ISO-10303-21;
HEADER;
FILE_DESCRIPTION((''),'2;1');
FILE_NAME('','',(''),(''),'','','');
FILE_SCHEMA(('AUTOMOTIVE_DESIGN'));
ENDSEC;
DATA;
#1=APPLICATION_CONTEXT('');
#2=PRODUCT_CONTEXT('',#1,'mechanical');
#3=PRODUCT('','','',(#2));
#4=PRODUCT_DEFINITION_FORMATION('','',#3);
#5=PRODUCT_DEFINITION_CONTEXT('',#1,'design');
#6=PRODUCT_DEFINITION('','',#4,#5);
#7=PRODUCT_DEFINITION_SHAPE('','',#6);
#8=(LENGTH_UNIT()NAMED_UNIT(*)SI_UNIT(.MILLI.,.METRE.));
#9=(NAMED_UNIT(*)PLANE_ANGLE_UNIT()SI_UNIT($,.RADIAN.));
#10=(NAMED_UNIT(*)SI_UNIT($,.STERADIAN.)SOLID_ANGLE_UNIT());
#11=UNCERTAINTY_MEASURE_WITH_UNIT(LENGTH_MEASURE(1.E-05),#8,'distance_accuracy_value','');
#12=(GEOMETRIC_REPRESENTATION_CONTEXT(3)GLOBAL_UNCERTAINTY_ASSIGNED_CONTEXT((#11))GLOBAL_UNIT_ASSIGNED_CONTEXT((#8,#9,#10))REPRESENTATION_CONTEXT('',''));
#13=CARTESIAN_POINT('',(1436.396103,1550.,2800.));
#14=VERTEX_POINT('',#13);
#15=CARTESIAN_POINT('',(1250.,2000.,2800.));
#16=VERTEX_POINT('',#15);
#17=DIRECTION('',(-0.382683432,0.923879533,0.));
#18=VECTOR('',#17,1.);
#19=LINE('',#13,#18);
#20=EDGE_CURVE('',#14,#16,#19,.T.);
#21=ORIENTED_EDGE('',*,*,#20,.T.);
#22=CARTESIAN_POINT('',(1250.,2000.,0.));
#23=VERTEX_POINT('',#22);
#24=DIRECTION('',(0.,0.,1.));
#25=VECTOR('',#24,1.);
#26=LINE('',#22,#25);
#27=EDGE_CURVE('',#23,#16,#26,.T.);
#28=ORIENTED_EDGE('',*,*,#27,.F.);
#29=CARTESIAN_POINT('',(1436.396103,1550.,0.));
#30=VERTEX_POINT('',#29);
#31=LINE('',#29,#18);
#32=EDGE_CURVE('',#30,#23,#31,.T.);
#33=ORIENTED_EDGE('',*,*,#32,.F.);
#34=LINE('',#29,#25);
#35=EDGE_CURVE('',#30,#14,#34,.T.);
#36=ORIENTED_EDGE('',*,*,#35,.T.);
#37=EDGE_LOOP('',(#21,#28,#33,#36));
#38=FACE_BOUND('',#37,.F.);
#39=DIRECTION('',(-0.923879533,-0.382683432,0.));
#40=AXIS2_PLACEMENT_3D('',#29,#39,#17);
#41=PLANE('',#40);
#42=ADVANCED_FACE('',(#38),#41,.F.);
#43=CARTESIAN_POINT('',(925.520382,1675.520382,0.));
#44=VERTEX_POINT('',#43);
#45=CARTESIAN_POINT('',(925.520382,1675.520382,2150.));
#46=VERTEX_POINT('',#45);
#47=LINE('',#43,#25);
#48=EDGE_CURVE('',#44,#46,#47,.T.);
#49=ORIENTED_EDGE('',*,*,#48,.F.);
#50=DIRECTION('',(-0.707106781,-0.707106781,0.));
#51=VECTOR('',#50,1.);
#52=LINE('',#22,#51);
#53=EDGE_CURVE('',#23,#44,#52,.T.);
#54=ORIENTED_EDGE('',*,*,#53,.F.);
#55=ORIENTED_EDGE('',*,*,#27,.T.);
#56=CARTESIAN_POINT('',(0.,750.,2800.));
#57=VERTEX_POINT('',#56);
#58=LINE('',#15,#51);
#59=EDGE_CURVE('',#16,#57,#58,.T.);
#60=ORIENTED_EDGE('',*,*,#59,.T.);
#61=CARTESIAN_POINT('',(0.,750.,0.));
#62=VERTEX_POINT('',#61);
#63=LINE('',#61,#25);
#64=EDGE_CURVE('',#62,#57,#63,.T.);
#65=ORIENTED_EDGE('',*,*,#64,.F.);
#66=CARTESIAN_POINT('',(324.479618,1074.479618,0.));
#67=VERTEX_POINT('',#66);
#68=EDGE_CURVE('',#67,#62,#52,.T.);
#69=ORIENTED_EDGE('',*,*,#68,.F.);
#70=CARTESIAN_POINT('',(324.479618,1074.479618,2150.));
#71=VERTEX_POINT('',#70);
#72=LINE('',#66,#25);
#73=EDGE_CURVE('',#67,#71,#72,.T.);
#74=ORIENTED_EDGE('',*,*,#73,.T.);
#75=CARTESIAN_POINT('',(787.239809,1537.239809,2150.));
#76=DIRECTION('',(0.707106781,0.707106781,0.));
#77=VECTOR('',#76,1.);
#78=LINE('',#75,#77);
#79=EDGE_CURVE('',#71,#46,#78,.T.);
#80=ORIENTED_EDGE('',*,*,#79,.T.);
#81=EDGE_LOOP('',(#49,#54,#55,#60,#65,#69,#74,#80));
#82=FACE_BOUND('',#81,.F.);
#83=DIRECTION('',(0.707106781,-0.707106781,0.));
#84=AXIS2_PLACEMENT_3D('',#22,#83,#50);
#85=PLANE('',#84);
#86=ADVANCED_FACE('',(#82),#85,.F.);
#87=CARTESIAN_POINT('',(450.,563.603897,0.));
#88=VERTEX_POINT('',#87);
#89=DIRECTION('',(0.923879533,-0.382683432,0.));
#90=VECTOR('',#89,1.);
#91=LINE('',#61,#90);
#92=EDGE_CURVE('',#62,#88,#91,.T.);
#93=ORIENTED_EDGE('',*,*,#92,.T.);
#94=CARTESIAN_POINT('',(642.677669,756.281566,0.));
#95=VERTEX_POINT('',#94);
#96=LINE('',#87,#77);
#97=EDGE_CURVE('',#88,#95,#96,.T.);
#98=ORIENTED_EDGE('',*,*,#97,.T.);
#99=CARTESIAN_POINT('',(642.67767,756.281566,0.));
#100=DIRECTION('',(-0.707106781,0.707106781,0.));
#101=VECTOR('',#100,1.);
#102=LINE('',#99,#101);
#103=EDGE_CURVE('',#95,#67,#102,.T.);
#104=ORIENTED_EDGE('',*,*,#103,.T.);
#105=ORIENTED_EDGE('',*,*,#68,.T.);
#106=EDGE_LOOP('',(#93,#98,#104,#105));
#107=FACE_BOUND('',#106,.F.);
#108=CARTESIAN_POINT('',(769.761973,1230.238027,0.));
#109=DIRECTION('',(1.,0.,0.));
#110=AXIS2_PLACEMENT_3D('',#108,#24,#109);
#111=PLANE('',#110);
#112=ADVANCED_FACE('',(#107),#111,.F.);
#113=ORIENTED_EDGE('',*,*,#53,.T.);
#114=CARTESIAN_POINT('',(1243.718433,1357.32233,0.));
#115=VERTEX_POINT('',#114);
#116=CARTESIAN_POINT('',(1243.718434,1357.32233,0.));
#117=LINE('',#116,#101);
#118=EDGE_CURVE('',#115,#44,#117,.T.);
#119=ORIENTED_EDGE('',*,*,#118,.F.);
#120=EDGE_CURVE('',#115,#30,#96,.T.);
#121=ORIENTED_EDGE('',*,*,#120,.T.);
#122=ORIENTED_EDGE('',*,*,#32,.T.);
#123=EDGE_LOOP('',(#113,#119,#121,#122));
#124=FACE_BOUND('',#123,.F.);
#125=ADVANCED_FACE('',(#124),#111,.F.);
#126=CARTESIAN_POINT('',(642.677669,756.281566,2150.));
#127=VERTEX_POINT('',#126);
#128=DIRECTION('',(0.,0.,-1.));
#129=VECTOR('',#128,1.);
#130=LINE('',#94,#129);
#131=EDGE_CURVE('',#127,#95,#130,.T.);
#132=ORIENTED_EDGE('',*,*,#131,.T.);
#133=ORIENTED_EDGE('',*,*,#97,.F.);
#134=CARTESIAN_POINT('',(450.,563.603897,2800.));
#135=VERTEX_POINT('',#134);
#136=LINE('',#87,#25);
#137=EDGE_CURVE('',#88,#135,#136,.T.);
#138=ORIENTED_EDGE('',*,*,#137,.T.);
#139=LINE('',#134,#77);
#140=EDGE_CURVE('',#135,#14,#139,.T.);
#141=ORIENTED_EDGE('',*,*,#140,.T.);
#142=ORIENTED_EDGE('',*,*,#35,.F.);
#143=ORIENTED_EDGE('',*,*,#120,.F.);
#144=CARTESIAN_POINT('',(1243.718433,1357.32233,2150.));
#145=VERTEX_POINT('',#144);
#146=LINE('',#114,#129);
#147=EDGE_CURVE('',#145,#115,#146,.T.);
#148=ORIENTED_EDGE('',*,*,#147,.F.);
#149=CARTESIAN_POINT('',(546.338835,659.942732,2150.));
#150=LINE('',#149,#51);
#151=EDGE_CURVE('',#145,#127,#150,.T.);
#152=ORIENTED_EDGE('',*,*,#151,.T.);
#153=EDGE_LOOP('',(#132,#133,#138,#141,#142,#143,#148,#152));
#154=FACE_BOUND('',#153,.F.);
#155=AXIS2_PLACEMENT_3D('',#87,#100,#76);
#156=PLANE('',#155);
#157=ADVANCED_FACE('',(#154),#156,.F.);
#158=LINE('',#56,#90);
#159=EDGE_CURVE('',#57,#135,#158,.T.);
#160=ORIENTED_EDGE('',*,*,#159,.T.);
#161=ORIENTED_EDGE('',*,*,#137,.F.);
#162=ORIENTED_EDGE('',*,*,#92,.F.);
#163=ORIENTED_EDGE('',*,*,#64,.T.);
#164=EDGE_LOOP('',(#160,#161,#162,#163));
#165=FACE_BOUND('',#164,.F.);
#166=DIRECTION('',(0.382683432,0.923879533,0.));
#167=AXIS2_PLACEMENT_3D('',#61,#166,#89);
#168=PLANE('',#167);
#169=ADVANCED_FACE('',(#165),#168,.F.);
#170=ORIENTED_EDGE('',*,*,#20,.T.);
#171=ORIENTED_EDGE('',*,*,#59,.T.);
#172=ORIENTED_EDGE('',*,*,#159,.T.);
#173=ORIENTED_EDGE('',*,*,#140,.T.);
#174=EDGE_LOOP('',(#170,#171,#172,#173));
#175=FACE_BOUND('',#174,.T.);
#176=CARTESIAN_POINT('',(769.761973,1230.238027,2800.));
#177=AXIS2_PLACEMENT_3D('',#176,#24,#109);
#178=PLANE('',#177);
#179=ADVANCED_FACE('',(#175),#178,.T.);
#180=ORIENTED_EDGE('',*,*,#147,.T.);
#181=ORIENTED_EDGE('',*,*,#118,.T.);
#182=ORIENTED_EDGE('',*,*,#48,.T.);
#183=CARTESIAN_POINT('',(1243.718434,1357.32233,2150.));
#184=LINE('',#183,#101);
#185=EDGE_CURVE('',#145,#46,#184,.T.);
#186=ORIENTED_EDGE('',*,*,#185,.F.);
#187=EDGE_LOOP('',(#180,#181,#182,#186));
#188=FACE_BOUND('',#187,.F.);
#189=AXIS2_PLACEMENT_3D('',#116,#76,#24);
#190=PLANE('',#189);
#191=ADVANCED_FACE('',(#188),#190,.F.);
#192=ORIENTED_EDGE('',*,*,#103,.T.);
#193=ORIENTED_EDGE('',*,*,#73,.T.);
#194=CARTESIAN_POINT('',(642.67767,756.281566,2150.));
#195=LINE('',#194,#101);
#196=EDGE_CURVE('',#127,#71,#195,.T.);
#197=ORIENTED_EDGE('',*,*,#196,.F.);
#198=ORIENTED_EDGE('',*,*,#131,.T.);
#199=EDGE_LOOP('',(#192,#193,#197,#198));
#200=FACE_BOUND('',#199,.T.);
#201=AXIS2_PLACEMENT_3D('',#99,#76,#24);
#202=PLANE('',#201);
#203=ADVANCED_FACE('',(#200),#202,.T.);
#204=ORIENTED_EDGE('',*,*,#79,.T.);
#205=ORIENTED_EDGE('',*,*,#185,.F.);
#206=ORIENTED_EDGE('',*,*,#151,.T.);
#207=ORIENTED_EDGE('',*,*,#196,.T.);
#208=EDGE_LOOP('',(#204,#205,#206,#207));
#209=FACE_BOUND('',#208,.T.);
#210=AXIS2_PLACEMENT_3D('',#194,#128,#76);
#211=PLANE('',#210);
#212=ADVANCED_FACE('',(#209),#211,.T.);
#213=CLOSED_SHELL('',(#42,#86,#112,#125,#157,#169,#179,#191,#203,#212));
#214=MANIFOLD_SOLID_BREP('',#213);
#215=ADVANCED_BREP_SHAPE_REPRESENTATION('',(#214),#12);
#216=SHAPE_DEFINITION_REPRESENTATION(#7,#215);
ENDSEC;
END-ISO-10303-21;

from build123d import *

# Parameters (mm, degrees)
F1_DEPTH = 2800
F2_W     = 850
F2_H     = 2150
F3_DEPTH = 1333.884476


with BuildPart() as f1:
    # F0 (on Top) → F1 (new body)
    with BuildSketch(Plane.XY):
        Polygon((1250, 2000), (0, 750), (450, 563.603897), (1436.396103, 1550), align=None)
    extrude(amount=F1_DEPTH)

    # F2 (on face) → F3 (cut, through all)
    with BuildSketch(Plane(origin=(-56.801948, 56.801948, 0), x_dir=(0.707107, 0.707107, 0), z_dir=(0.707107, -0.707107, 0))):
        with Locations((1414.213562, 1075)):
            Rectangle(F2_W, F2_H)
    extrude(amount=-F3_DEPTH, mode=Mode.SUBTRACT)


solid = f1.part
